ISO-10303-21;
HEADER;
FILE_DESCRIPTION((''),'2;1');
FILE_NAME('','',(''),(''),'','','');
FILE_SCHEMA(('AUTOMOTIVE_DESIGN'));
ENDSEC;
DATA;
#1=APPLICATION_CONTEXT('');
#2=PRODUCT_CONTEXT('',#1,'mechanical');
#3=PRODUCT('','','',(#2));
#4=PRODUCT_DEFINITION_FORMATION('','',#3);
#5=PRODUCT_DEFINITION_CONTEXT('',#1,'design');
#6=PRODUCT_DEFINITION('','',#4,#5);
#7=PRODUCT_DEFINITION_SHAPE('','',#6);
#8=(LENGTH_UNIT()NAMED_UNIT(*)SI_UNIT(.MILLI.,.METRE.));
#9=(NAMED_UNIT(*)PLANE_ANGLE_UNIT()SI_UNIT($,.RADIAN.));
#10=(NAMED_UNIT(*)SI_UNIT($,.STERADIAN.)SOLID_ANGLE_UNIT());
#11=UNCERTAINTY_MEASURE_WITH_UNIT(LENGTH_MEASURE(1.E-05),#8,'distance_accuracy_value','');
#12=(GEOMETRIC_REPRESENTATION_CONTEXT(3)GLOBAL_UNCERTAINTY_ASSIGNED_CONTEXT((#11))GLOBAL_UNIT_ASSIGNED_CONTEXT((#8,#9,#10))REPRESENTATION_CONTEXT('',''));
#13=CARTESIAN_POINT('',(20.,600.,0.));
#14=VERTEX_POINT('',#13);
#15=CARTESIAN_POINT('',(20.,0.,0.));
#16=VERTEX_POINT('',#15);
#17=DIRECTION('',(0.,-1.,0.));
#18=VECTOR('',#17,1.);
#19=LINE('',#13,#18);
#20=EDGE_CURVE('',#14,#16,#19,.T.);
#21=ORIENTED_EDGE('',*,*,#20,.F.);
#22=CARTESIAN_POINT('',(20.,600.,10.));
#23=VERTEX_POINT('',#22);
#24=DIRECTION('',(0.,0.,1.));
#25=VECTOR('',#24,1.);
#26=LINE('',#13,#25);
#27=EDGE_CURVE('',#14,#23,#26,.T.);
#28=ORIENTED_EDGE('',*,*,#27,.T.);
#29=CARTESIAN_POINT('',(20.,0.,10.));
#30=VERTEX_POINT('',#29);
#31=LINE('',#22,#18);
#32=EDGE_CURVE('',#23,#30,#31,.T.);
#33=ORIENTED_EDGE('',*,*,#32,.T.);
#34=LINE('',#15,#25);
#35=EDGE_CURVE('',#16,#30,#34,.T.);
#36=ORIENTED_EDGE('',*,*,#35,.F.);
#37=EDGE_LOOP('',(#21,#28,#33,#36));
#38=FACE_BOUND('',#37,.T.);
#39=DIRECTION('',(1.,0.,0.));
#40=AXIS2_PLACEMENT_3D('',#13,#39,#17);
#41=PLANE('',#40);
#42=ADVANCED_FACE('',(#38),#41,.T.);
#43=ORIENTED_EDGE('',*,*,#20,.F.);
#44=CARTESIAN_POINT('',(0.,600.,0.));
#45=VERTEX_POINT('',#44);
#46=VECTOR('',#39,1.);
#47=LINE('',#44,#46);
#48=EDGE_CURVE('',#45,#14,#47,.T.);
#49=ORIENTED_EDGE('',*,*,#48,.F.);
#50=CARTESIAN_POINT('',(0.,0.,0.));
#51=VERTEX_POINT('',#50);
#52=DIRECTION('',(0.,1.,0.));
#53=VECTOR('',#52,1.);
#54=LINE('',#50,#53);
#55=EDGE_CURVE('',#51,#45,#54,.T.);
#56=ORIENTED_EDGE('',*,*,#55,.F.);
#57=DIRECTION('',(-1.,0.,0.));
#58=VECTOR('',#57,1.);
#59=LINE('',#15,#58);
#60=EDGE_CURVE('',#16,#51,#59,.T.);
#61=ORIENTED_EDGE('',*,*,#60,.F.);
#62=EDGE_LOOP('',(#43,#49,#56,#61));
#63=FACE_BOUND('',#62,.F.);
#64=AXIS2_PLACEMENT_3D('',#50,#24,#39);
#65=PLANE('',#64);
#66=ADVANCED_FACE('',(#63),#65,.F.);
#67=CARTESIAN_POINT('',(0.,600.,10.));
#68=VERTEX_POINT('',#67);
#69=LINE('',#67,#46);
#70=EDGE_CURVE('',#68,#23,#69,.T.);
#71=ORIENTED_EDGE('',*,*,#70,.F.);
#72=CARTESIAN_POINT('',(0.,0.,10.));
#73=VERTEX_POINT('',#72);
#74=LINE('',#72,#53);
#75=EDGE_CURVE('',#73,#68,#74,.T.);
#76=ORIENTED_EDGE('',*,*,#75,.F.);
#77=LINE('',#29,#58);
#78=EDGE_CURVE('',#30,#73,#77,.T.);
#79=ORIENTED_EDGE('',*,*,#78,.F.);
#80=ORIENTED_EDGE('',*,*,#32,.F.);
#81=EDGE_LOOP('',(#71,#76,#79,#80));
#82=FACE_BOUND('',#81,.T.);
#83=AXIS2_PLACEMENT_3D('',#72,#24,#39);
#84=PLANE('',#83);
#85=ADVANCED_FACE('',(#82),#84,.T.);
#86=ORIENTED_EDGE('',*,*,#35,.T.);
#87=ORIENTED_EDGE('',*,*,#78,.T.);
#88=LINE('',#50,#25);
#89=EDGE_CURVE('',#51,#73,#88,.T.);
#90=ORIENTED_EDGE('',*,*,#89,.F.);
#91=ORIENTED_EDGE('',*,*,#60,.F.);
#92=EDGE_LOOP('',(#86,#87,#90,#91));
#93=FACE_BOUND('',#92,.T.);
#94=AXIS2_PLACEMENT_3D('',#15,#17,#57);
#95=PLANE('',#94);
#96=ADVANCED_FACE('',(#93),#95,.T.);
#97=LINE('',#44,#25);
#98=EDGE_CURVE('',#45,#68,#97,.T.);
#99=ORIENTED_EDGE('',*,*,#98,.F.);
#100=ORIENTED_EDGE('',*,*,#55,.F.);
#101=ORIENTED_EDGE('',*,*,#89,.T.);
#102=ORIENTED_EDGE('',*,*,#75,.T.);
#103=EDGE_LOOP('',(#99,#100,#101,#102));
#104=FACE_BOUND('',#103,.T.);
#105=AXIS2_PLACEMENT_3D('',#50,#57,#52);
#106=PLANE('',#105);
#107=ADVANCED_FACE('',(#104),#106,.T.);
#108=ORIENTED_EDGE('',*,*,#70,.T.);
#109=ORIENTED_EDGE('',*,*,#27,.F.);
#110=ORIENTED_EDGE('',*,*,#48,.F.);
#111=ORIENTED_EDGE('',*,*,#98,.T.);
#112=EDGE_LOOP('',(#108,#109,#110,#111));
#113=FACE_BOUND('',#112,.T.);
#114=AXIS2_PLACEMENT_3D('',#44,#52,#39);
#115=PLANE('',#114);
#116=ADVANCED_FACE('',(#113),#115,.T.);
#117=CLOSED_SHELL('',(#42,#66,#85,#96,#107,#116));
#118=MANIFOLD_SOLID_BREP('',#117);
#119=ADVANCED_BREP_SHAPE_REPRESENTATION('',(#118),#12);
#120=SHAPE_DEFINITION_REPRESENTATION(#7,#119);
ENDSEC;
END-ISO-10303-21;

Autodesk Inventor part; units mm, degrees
ref_plane "YZ Plane" through (0, 0, 0) normal (1, 0, 0) x (0, 1, 0)
ref_plane "XZ Plane" through (0, 0, 0) normal (0, 1, 0) x (-1, 0, 0)
ref_plane "XY Plane" through (0, 0, 0) normal (0, 0, 1) x (1, 0, 0)
sketch "Boceto1" plane through (0, 0, 0) normal (0, 0, 1) x (1, 0, 0)
  line L0 (0, 0) -> (0, 600)
  line L1 (0, 600) -> (20, 600)
  line L2 (20, 600) -> (20, 0)
  line L3 (20, 0) -> (0, 0)
  dimension "d0" = 600
  dimension "d2" = 20
  dimension "d3" = 600
extrude "Extrusión1" add sketch "Boceto1" along normal blind 10
